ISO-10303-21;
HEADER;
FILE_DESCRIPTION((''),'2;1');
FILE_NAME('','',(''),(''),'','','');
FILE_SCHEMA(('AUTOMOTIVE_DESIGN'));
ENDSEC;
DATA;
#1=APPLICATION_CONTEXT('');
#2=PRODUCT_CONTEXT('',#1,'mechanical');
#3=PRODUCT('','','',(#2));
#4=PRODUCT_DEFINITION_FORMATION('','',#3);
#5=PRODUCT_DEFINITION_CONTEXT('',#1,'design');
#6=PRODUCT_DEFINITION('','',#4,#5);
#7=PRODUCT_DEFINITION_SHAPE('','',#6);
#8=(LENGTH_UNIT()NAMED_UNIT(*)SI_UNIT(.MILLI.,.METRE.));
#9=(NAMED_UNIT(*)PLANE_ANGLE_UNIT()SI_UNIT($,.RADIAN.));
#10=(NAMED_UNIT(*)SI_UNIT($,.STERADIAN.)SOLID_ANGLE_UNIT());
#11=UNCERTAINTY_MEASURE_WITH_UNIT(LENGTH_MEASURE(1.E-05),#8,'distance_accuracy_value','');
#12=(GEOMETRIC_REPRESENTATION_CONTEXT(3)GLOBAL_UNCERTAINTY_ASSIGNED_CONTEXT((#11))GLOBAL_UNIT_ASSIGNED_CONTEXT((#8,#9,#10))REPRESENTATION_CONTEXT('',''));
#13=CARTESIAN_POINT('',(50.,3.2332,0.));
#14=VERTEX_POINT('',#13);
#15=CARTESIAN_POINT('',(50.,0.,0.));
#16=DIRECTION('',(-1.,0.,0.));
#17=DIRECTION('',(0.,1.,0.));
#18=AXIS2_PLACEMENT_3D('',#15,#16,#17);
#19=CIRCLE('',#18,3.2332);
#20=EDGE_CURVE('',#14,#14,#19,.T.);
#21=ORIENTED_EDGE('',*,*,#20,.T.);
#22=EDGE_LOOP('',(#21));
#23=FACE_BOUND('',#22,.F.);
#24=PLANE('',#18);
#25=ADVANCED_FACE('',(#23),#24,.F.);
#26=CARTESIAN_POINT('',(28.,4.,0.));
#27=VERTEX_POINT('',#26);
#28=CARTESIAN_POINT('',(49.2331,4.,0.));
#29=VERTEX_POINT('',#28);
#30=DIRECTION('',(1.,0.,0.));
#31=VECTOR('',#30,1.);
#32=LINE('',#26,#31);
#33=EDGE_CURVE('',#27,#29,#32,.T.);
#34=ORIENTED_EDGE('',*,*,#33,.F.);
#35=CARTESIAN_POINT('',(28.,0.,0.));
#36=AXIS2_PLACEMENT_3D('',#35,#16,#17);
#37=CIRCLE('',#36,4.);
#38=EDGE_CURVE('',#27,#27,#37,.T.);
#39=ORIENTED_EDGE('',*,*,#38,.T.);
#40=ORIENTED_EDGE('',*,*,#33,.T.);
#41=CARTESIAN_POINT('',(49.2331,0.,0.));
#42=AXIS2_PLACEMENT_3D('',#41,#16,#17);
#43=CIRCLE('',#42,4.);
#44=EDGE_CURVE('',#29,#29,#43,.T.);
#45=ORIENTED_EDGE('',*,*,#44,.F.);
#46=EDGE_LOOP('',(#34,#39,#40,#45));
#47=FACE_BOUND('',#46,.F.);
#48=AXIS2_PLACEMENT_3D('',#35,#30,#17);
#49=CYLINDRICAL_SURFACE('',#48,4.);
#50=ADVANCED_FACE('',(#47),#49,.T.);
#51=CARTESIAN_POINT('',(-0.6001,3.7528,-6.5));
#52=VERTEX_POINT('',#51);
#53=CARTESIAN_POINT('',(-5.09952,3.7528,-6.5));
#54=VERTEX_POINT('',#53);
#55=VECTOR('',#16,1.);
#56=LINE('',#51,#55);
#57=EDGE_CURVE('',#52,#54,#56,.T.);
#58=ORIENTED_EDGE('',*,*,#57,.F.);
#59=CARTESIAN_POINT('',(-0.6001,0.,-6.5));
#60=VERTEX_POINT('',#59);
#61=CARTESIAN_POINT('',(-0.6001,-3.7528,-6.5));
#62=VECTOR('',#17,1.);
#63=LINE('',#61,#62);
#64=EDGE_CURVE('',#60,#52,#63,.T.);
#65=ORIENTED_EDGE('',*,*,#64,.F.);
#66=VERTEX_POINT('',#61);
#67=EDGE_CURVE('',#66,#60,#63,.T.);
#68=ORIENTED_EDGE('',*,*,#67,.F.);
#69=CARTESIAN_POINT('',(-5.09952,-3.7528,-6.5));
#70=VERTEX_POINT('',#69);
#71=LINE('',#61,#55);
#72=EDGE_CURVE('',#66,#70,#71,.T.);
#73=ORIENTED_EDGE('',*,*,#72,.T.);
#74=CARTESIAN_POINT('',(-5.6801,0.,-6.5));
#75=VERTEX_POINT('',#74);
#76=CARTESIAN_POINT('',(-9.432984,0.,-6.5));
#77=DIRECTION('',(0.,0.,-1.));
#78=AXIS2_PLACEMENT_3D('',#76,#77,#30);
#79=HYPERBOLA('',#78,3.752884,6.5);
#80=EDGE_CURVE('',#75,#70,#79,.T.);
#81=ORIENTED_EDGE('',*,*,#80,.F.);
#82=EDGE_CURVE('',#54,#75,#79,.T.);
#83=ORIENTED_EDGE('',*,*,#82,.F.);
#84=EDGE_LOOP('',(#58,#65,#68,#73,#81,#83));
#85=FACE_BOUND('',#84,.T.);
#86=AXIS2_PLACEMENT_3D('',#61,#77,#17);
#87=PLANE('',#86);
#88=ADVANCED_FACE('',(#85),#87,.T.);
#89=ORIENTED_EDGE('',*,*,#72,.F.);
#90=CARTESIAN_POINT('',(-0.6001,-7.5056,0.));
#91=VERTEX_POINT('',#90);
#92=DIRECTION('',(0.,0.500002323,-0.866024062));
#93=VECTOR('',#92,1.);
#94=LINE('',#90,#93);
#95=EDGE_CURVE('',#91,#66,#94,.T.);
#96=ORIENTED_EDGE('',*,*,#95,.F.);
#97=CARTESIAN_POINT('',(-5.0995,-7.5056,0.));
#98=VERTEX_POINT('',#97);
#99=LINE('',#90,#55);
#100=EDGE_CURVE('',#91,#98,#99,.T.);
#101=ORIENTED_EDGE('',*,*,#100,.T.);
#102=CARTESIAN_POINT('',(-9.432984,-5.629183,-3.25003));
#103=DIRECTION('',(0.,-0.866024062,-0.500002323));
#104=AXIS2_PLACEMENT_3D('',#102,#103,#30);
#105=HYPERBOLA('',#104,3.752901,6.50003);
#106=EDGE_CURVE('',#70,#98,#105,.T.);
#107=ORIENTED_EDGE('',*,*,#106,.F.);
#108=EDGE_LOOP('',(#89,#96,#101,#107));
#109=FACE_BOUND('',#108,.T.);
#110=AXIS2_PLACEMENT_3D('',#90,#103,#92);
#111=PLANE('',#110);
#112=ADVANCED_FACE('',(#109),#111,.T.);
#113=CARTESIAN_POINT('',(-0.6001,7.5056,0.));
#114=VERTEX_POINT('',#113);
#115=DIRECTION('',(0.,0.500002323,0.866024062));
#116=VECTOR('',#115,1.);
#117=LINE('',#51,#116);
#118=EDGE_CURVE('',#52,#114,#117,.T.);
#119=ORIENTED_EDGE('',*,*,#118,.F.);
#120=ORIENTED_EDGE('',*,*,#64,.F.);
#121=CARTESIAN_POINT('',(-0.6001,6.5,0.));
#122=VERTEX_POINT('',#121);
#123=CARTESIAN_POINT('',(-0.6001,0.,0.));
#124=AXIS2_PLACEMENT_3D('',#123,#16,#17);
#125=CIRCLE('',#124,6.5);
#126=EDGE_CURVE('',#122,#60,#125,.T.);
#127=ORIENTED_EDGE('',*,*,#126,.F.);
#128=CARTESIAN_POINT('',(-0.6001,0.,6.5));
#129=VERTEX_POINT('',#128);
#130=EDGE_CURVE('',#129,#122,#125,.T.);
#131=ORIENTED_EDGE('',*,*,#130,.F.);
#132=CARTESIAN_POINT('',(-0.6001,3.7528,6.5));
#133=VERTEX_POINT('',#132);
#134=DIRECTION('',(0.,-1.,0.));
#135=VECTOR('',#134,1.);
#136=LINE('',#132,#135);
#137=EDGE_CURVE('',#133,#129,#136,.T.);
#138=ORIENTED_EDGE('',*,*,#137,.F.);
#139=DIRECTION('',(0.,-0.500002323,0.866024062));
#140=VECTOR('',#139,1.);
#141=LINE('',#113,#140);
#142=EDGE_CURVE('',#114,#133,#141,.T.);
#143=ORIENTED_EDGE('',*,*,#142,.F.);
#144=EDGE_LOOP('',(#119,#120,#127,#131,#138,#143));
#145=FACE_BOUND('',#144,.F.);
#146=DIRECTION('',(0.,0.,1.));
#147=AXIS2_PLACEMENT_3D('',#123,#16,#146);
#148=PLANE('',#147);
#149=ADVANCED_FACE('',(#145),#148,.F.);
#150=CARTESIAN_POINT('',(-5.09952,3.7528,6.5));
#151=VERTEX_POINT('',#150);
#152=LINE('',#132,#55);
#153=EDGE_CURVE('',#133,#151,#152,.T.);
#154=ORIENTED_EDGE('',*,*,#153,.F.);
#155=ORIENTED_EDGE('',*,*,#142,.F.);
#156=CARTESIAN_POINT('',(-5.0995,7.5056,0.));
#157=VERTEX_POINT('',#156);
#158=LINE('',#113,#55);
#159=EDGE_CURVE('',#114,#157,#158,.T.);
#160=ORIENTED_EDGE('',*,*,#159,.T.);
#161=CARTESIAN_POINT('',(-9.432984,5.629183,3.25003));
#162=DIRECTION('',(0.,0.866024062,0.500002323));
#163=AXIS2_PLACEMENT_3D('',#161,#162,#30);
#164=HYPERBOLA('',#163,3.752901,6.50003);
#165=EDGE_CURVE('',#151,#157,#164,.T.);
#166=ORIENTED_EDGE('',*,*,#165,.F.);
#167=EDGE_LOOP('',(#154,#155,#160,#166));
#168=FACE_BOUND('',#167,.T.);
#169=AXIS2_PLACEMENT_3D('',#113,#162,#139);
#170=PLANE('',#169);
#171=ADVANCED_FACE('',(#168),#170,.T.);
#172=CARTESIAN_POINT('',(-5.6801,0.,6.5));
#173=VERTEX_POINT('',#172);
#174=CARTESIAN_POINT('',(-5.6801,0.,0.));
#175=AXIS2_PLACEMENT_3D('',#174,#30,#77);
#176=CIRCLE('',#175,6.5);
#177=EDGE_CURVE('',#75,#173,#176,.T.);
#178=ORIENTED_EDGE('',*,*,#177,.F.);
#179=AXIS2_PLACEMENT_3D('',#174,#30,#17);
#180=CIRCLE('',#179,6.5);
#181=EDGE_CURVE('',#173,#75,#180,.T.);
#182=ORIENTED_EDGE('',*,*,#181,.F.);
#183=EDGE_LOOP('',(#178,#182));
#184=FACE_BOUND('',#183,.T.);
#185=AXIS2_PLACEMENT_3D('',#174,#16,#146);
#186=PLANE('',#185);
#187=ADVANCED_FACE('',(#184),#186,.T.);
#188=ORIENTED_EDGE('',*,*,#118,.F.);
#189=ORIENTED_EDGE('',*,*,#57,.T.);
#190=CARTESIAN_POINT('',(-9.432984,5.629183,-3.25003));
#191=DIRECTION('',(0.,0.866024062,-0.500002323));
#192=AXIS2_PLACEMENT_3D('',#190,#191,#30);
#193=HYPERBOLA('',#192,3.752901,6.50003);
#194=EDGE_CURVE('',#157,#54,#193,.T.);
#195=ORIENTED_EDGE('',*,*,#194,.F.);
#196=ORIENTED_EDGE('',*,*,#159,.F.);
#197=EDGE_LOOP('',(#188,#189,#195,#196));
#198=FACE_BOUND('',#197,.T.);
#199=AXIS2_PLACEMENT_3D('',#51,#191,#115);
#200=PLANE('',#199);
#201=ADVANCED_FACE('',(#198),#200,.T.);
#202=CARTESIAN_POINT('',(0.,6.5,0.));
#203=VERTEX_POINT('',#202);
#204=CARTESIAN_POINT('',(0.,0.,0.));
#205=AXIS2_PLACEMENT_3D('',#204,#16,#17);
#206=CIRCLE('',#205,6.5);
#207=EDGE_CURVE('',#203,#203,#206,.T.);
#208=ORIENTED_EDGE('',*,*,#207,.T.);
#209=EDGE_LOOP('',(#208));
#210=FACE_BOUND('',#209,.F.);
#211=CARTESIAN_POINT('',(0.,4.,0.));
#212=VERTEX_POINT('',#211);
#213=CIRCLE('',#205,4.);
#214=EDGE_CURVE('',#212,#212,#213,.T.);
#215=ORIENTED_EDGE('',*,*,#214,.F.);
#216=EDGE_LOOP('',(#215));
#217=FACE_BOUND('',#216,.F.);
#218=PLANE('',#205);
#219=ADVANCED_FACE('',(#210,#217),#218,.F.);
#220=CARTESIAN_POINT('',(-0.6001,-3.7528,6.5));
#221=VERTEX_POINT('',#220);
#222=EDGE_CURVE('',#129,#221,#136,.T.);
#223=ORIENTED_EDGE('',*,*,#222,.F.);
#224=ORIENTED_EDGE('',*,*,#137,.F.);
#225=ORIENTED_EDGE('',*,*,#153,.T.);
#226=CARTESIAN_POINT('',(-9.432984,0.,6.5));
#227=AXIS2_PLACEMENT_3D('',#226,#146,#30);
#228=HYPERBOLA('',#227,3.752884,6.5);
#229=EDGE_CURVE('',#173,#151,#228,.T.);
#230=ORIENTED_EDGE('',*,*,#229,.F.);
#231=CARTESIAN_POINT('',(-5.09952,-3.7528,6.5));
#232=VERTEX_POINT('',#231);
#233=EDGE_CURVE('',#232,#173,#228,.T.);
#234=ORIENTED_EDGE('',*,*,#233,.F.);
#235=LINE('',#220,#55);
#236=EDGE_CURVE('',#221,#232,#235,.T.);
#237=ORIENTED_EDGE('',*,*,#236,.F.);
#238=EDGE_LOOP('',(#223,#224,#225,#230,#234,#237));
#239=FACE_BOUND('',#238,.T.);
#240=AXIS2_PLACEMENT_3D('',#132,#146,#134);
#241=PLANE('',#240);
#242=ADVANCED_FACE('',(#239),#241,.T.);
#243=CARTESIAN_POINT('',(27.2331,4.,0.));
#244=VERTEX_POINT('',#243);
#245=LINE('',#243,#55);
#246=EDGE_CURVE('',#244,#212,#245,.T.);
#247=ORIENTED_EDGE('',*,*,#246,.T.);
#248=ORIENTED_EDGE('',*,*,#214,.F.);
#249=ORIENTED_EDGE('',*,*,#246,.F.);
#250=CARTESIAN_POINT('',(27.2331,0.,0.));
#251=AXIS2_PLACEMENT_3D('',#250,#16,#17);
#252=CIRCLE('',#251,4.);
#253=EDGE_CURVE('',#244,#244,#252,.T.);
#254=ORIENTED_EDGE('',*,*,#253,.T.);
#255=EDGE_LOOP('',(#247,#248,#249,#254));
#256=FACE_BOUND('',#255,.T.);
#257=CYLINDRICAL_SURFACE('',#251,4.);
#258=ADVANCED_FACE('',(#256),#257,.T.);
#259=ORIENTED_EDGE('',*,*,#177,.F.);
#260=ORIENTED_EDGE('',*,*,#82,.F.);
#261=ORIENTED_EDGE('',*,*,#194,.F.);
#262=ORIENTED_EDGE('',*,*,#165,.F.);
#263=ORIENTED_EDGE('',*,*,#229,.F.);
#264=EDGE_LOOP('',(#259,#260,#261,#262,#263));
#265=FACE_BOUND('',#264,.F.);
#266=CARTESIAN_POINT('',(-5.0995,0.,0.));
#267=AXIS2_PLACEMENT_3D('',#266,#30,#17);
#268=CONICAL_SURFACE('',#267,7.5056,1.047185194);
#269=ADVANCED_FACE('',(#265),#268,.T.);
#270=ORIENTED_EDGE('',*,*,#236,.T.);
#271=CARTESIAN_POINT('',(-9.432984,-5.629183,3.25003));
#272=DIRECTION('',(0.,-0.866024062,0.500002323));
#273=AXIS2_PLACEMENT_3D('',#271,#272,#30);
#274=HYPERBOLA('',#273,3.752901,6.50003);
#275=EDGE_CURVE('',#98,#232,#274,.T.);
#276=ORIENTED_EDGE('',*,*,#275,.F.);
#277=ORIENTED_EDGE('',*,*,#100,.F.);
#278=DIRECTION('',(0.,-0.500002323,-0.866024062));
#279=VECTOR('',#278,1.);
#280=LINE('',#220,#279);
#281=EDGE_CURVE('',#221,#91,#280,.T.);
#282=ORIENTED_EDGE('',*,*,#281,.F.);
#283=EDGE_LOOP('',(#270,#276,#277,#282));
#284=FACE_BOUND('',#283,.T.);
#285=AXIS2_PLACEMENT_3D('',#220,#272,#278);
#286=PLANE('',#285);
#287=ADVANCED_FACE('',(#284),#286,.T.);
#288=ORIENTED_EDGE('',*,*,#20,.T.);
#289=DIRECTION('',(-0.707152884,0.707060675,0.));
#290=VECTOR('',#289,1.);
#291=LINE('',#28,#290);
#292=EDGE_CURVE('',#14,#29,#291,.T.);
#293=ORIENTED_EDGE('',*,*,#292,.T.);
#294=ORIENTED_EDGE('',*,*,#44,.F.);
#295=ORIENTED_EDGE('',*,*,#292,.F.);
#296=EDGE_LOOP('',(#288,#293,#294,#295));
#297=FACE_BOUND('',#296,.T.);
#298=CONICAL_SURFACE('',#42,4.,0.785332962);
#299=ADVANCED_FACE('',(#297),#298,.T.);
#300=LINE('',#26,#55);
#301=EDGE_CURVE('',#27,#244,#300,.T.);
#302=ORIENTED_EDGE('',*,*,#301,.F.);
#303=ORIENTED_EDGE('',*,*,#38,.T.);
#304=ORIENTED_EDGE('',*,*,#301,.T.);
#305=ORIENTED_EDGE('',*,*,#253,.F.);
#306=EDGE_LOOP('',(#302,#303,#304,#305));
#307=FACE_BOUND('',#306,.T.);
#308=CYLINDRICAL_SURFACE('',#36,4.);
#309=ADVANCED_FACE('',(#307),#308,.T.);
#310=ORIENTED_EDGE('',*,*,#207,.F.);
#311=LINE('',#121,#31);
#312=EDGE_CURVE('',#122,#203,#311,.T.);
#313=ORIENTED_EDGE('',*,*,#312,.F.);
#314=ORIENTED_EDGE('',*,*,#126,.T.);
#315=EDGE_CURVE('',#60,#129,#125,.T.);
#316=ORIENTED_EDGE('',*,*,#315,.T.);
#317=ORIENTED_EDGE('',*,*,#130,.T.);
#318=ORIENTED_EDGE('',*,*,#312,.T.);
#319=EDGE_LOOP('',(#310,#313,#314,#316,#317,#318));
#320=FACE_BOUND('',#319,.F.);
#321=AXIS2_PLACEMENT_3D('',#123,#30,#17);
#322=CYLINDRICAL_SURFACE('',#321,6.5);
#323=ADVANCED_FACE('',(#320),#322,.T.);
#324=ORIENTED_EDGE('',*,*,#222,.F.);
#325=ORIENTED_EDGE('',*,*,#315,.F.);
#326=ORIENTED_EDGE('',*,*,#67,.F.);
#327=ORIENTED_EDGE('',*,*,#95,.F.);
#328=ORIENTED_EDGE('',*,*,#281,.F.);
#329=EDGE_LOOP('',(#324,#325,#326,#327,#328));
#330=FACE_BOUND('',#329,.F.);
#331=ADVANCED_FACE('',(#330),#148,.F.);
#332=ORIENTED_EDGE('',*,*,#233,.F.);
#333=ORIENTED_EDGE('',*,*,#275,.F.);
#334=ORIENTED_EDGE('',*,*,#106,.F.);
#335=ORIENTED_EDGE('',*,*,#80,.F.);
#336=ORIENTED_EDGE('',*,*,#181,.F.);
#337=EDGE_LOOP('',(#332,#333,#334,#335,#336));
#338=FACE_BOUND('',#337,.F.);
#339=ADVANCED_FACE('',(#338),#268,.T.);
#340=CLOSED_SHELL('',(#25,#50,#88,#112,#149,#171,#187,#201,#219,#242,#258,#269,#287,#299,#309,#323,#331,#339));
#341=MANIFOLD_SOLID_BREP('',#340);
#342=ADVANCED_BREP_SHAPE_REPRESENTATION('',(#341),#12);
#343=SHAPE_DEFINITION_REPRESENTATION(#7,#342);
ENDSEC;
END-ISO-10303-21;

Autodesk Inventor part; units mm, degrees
ref_plane "YZ Plane" through (0, 0, 0) normal (1, 0, 0) x (0, 1, 0)
ref_plane "XZ Plane" through (0, 0, 0) normal (0, 1, 0) x (-1, 0, 0)
sketch "Sketch1" plane through (0, 0, 0) normal (0, 0, 1) x (1, 0, 0)
  line L0 (0, 6.5) -> (0, 4)
  line L1 (28, 4) -> (50, 4)
  line L2 (50, 4) -> (50, 0)
  line L3 (50, 0) -> (-0.6001, 0)
  line L4 (-10.7201, 0) -> (60.12, 0) projected
  line L5 (-0.6001, 0) -> (-0.6001, 6.5)
  line L6 (-0.6001, 6.5) -> (0, 6.5)
  line L7 (28, 4) -> (27.2331, 4)
  line L8 (27.2331, 4) -> (0, 4)
  line L9 (0, -1.3) -> (0, 7.8) projected
  dimension "d0" = 50
  dimension "d1" = 22
  dimension "d2" = 8
  dimension "d9" = 0.6001
  dimension "d10" = 13
  dimension "d13" = 0.7669
  dimension "d14" = 8
revolve "Body" add sketch "Sketch1" angle 360 about axis through (50, 0, 0) along (-1, 0, 0)
sketch "Sketch2" plane through (-0.6001, 0, 0) normal (-1, 0, 0) x (0, 0, 1)
  line L0 (0, 7.5056) -> (6.5, 3.7528)
  line L1 (6.5, 3.7528) -> (6.5, -3.7528)
  line L2 (6.5, -3.7528) -> (0, -7.5056)
  line L3 (0, -7.5056) -> (-6.5, -3.7528)
  line L4 (-6.5, -3.7528) -> (-6.5, 3.7528)
  line L5 (-6.5, 3.7528) -> (0, 7.5056)
  point P0 (0, 0)
  point P1 (0, 0)
  dimension "d11" = 13
extrude "Head" add sketch "Sketch2" along normal blind 5.08
sketch "Sketch4" plane through (0, 0, 0) normal (0, 0, 1) x (1, 0, 0)
  line L0 (-5.6801, 6.5) -> (-5.6801, 7.5056)
  line L1 (-5.6801, 7.5056) -> (-5.0995, 7.5056)
  line L2 (-5.0995, 7.5056) -> (-5.6801, 6.5)
  line L3 (-6.6961, 0) -> (0.4159, 0) projected
  line L4 (-0.6001, 7.5056) -> (-5.6801, 7.5056) projected
  line L5 (-5.6801, 3.7528) -> (-5.6801, 7.5056) projected
  dimension "d5" = 30
  dimension "d19" = 13
revolve "Chamfer1" cut sketch "Sketch4" angle 360 about axis through (-10, 0, 0) along (1, 0, 0)
thread "Thread" size "M8x1.25" class "6g" standard "ISO Metric profile" length 22
chamfer "Chamfer2" distance 0.7668 distance2 0.7669 1 edges at (50, -4, 0) measured on face at (50, 1.2946, -0.3191)
ref_plane "Work Plane1" through (1.525, 0, 0) normal (0, 0, 1) x (1, 0, 0)
equation "\"d0\" = NLG"
equation "\"d1\" = GEL"
equation "\"d2\" = GD"
equation "\"d10\" = SD2"
equation "\"d14\" = BDM"
equation "\"d11\" = SW"
equation "\"d3\" = KOH - SD"
equation "\"d5\" = ANG1"
equation "\"d19\" = SW0"
equation "\"d15\" = GEL"
equation "\"d6\" = -0.5 * SPD + 0.5 * GD"
equation "\"NLG\" = 50"
equation "\"GD\" = NND"
equation "\"BDM\" = NND"
equation "\"KOH\" = 5.68"
equation "\"GEL\" = 22"
equation "\"SW\" = 13"
equation "\"SW0\" = SW"
equation "\"SPD\" = NND - 1.2269 * PTC"
equation "\"SD2\" = SW"
equation "\"SD\" = 0.6"
equation "\"ANG1\" = 30deg"
equation "\"GAL\" = 0.61345 * PTC"
equation "\"GUL\" = 0.61345 * PTC"
equation "\"RR\" = 0.4"
equation "\"WFT\" = SD"
equation "\"GD1\" = THREADDIA - 1.2269 * PTC"
equation "\"THREADDIA\" = 8"
equation "\"SDH\" = SW"
equation "\"TOA\" = 30deg"
equation "\"FAWI\" = 45deg"
equation "\"PTC\" = 1.25"
equation "\"NND\" = 8"
equation "\"E0\" = 1.155 * SW"
properties part number "AS 1111 - M8 x 50" material "Steel, Mild"
